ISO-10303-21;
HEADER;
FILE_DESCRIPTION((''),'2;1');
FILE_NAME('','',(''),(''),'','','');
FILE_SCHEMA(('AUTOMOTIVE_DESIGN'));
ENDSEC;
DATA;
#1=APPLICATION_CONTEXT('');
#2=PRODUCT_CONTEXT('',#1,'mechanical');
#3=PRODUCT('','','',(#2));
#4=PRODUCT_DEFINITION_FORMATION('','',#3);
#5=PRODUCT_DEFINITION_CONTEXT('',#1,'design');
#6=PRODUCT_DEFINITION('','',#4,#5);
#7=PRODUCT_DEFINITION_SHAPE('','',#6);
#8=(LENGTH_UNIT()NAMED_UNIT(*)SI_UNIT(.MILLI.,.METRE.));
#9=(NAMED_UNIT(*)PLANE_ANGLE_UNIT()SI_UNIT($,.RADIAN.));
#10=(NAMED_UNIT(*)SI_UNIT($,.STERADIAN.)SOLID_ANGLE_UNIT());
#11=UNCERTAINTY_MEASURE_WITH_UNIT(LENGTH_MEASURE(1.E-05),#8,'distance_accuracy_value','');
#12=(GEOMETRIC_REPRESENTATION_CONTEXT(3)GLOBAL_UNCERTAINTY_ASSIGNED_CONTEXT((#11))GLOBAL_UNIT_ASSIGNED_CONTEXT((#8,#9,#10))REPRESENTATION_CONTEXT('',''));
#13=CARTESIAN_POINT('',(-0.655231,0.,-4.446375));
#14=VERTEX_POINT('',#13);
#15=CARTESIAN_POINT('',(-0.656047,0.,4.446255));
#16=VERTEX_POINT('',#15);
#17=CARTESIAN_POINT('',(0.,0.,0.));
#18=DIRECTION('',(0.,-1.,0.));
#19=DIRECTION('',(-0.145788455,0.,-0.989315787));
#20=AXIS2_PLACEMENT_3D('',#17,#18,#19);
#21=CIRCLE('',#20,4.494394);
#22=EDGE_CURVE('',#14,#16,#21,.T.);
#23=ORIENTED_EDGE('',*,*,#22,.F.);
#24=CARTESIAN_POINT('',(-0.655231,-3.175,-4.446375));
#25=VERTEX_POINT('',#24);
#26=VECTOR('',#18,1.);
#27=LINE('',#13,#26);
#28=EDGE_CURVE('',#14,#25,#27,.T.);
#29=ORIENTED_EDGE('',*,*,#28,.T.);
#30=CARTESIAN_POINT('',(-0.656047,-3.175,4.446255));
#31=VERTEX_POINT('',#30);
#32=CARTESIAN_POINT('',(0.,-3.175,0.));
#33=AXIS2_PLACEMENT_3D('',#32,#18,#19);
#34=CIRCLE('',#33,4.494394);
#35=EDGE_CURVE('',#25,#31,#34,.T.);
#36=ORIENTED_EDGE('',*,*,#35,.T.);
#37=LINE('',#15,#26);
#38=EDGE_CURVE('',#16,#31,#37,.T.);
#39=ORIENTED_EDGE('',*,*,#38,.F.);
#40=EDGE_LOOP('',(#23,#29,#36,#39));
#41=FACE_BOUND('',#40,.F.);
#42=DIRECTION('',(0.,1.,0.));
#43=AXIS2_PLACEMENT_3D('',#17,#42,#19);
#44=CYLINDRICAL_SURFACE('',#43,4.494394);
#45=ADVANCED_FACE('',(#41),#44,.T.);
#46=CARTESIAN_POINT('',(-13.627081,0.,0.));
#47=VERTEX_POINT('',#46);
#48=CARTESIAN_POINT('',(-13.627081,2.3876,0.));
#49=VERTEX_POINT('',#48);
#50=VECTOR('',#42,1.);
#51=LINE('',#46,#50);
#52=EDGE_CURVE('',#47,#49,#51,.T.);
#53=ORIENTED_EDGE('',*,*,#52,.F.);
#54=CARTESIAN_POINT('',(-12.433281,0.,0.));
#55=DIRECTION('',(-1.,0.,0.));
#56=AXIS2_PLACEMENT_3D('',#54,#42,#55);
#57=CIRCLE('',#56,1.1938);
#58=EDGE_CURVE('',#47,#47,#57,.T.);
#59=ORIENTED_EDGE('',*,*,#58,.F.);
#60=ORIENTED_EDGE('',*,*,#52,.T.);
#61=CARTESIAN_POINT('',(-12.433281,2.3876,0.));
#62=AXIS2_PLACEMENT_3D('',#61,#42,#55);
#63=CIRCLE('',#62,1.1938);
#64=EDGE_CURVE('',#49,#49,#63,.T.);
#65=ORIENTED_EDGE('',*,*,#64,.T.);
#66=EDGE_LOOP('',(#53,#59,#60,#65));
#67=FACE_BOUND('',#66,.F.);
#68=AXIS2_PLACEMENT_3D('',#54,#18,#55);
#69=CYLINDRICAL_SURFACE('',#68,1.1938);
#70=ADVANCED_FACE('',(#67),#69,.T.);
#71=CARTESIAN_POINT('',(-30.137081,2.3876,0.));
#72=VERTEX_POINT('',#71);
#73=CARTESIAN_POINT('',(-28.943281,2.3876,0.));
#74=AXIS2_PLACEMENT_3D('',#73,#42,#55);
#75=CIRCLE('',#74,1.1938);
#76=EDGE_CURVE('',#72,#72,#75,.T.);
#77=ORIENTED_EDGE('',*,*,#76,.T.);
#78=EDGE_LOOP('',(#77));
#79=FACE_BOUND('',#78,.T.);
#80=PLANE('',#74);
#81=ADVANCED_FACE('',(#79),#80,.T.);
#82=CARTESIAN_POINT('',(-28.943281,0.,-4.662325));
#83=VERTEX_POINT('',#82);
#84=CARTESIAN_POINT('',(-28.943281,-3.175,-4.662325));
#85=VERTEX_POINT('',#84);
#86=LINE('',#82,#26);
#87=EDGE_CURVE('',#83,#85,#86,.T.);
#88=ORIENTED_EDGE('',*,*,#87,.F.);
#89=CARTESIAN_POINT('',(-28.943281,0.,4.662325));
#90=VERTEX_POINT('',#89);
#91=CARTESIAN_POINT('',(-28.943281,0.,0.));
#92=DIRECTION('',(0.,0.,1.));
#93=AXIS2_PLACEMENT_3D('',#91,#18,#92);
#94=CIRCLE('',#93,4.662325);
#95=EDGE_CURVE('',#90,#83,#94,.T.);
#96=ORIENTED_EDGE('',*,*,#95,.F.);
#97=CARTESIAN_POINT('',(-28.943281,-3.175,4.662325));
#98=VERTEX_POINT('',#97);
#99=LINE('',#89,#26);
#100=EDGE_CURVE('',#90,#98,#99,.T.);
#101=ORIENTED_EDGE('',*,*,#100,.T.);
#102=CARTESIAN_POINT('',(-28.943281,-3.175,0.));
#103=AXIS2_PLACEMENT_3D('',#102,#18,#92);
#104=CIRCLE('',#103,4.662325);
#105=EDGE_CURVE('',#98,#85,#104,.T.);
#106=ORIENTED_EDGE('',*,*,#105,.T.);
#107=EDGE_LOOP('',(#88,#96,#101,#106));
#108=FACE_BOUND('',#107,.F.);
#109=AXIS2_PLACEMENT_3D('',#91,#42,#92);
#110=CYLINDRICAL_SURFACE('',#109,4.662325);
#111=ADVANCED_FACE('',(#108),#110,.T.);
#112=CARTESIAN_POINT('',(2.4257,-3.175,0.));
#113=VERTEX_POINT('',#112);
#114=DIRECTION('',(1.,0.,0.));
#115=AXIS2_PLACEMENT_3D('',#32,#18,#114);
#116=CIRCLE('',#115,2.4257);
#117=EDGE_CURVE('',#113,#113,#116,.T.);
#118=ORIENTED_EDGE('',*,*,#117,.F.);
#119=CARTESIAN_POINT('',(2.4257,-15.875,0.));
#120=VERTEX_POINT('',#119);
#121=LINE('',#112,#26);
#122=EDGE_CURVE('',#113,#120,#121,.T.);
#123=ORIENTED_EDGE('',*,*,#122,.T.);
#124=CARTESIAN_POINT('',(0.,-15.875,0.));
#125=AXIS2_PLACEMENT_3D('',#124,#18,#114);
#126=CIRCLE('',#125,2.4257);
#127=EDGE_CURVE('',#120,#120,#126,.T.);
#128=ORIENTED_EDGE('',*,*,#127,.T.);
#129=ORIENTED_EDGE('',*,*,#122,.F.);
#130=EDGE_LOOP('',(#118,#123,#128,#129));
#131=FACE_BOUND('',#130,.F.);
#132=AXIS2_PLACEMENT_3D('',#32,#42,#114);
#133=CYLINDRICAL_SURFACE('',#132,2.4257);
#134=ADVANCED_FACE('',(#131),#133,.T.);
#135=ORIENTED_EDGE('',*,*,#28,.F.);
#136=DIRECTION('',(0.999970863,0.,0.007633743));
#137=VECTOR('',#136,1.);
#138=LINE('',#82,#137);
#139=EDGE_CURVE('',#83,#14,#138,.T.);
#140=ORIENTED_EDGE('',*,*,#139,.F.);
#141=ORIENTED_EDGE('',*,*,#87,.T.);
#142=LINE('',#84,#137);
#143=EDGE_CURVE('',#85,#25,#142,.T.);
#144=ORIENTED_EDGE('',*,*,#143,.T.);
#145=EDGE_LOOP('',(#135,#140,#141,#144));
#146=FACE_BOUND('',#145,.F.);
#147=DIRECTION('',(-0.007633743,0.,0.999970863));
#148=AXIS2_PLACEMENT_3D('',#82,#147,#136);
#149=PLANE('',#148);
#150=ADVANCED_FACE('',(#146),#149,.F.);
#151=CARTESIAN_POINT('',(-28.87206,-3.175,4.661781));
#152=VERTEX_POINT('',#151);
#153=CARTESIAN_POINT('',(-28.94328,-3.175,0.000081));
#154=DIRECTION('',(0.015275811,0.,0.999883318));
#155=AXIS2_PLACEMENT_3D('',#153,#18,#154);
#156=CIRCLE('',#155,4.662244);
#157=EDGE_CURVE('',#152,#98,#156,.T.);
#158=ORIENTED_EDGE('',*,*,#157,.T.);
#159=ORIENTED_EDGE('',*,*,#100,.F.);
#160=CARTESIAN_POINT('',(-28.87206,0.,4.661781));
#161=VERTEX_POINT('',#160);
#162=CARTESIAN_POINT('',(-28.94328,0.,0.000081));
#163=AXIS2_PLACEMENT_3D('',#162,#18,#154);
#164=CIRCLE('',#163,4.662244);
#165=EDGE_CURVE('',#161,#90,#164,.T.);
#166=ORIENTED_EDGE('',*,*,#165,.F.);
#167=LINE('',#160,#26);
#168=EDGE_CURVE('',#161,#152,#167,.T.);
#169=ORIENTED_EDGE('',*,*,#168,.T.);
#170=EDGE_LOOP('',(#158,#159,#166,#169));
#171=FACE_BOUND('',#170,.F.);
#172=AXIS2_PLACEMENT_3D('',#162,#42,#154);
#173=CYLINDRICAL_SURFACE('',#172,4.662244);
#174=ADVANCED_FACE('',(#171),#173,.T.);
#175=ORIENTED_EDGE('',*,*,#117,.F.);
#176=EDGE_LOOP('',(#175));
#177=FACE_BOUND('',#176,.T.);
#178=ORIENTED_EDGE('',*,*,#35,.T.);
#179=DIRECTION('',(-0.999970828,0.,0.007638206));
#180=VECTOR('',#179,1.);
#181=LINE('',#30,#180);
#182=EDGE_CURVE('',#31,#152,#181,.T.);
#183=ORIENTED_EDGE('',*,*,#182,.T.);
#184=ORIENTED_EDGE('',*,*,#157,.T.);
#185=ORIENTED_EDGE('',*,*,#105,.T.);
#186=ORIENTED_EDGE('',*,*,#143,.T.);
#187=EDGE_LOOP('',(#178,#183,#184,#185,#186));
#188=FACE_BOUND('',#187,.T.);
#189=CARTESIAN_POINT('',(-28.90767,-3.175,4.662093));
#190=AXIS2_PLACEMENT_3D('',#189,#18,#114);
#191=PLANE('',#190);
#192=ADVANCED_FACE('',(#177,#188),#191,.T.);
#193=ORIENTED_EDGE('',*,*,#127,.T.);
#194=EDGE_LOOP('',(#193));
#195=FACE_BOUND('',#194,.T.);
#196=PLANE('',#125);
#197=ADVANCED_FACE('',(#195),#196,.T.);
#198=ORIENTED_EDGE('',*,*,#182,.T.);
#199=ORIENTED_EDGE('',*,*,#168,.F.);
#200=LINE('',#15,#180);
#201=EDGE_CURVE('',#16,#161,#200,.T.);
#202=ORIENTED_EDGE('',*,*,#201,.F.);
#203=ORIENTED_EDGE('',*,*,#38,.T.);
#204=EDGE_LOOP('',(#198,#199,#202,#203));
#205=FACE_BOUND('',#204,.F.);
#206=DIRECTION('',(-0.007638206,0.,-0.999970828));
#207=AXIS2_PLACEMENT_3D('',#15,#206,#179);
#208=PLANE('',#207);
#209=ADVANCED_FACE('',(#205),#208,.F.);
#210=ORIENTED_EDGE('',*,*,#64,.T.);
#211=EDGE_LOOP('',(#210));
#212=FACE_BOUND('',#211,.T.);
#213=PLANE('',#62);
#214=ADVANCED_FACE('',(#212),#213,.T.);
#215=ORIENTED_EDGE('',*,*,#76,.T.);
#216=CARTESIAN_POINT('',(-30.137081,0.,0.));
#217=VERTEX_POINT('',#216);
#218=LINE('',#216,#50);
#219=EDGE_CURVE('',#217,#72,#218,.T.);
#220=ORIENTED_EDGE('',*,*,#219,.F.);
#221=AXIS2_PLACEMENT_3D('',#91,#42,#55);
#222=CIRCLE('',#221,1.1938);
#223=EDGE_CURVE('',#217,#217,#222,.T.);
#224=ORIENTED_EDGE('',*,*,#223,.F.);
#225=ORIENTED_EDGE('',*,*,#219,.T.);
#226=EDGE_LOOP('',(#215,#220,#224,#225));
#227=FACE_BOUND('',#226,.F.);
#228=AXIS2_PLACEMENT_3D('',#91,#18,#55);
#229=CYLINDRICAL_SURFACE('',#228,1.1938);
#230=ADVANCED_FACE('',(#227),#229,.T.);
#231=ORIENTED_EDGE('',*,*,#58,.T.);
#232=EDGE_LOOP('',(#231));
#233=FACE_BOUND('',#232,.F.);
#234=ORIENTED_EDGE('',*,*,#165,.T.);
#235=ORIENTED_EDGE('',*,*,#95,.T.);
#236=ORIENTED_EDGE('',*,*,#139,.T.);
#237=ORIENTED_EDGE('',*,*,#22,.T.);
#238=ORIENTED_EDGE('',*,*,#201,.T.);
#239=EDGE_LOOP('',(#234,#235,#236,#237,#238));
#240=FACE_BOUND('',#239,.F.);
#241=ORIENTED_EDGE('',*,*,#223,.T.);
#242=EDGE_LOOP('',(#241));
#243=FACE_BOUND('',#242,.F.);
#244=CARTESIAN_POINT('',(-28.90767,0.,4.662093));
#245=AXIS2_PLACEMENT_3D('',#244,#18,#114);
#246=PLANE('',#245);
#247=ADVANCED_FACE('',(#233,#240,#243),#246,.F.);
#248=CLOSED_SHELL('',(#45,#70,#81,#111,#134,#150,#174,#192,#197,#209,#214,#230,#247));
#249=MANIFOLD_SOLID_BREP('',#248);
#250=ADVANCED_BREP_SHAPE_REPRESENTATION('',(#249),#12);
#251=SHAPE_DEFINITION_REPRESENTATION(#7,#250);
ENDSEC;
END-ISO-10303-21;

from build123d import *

# Parameters (mm, degrees)
F1_DEPTH = 3.175
F2_R     = 2.4257
F3_DEPTH = 12.7
F4_R     = 1.1938
F5_DEPTH = 2.3876


with BuildPart() as f1:
    # F0 (on Front) → F1 (new body)
    with BuildSketch(Plane.XZ):
        with BuildLine():
            Line((-28.943281, 4.662325), (-28.87206, 4.661781))
            ThreePointArc((-28.87206, 4.661781), (-28.907669, 4.662189), (-28.943281, 4.662325))
        make_face()
        with BuildLine():
            Line((-0.656047, 4.446255), (-28.87206, 4.661781))
            Line((-28.87206, 4.661781), (-28.943281, 4.662325))
            ThreePointArc((-28.943281, 4.662325), (-33.605606, 0), (-28.943281, -4.662325))
            Line((-28.943281, -4.662325), (-0.655231, -4.446375))
            ThreePointArc((-0.655231, -4.446375), (4.494394, 0.000412), (-0.656047, 4.446255))
        make_face()
    extrude(amount=F1_DEPTH)

    # F2 (on face) → F3 (join)
    with BuildSketch(Plane.XZ.offset(3.175)):
        Circle(F2_R)
    extrude(amount=F3_DEPTH)

    # F4 (on face) → F5 (join)
    with BuildSketch(Plane(origin=(0, 0, 0), x_dir=(-1, 0, 0), z_dir=(0, 1, 0))):
        with Locations((28.943281, 0)):
            Circle(F4_R)
        with Locations((12.433281, 0)):
            Circle(F4_R)
    extrude(amount=F5_DEPTH)


solid = f1.part
